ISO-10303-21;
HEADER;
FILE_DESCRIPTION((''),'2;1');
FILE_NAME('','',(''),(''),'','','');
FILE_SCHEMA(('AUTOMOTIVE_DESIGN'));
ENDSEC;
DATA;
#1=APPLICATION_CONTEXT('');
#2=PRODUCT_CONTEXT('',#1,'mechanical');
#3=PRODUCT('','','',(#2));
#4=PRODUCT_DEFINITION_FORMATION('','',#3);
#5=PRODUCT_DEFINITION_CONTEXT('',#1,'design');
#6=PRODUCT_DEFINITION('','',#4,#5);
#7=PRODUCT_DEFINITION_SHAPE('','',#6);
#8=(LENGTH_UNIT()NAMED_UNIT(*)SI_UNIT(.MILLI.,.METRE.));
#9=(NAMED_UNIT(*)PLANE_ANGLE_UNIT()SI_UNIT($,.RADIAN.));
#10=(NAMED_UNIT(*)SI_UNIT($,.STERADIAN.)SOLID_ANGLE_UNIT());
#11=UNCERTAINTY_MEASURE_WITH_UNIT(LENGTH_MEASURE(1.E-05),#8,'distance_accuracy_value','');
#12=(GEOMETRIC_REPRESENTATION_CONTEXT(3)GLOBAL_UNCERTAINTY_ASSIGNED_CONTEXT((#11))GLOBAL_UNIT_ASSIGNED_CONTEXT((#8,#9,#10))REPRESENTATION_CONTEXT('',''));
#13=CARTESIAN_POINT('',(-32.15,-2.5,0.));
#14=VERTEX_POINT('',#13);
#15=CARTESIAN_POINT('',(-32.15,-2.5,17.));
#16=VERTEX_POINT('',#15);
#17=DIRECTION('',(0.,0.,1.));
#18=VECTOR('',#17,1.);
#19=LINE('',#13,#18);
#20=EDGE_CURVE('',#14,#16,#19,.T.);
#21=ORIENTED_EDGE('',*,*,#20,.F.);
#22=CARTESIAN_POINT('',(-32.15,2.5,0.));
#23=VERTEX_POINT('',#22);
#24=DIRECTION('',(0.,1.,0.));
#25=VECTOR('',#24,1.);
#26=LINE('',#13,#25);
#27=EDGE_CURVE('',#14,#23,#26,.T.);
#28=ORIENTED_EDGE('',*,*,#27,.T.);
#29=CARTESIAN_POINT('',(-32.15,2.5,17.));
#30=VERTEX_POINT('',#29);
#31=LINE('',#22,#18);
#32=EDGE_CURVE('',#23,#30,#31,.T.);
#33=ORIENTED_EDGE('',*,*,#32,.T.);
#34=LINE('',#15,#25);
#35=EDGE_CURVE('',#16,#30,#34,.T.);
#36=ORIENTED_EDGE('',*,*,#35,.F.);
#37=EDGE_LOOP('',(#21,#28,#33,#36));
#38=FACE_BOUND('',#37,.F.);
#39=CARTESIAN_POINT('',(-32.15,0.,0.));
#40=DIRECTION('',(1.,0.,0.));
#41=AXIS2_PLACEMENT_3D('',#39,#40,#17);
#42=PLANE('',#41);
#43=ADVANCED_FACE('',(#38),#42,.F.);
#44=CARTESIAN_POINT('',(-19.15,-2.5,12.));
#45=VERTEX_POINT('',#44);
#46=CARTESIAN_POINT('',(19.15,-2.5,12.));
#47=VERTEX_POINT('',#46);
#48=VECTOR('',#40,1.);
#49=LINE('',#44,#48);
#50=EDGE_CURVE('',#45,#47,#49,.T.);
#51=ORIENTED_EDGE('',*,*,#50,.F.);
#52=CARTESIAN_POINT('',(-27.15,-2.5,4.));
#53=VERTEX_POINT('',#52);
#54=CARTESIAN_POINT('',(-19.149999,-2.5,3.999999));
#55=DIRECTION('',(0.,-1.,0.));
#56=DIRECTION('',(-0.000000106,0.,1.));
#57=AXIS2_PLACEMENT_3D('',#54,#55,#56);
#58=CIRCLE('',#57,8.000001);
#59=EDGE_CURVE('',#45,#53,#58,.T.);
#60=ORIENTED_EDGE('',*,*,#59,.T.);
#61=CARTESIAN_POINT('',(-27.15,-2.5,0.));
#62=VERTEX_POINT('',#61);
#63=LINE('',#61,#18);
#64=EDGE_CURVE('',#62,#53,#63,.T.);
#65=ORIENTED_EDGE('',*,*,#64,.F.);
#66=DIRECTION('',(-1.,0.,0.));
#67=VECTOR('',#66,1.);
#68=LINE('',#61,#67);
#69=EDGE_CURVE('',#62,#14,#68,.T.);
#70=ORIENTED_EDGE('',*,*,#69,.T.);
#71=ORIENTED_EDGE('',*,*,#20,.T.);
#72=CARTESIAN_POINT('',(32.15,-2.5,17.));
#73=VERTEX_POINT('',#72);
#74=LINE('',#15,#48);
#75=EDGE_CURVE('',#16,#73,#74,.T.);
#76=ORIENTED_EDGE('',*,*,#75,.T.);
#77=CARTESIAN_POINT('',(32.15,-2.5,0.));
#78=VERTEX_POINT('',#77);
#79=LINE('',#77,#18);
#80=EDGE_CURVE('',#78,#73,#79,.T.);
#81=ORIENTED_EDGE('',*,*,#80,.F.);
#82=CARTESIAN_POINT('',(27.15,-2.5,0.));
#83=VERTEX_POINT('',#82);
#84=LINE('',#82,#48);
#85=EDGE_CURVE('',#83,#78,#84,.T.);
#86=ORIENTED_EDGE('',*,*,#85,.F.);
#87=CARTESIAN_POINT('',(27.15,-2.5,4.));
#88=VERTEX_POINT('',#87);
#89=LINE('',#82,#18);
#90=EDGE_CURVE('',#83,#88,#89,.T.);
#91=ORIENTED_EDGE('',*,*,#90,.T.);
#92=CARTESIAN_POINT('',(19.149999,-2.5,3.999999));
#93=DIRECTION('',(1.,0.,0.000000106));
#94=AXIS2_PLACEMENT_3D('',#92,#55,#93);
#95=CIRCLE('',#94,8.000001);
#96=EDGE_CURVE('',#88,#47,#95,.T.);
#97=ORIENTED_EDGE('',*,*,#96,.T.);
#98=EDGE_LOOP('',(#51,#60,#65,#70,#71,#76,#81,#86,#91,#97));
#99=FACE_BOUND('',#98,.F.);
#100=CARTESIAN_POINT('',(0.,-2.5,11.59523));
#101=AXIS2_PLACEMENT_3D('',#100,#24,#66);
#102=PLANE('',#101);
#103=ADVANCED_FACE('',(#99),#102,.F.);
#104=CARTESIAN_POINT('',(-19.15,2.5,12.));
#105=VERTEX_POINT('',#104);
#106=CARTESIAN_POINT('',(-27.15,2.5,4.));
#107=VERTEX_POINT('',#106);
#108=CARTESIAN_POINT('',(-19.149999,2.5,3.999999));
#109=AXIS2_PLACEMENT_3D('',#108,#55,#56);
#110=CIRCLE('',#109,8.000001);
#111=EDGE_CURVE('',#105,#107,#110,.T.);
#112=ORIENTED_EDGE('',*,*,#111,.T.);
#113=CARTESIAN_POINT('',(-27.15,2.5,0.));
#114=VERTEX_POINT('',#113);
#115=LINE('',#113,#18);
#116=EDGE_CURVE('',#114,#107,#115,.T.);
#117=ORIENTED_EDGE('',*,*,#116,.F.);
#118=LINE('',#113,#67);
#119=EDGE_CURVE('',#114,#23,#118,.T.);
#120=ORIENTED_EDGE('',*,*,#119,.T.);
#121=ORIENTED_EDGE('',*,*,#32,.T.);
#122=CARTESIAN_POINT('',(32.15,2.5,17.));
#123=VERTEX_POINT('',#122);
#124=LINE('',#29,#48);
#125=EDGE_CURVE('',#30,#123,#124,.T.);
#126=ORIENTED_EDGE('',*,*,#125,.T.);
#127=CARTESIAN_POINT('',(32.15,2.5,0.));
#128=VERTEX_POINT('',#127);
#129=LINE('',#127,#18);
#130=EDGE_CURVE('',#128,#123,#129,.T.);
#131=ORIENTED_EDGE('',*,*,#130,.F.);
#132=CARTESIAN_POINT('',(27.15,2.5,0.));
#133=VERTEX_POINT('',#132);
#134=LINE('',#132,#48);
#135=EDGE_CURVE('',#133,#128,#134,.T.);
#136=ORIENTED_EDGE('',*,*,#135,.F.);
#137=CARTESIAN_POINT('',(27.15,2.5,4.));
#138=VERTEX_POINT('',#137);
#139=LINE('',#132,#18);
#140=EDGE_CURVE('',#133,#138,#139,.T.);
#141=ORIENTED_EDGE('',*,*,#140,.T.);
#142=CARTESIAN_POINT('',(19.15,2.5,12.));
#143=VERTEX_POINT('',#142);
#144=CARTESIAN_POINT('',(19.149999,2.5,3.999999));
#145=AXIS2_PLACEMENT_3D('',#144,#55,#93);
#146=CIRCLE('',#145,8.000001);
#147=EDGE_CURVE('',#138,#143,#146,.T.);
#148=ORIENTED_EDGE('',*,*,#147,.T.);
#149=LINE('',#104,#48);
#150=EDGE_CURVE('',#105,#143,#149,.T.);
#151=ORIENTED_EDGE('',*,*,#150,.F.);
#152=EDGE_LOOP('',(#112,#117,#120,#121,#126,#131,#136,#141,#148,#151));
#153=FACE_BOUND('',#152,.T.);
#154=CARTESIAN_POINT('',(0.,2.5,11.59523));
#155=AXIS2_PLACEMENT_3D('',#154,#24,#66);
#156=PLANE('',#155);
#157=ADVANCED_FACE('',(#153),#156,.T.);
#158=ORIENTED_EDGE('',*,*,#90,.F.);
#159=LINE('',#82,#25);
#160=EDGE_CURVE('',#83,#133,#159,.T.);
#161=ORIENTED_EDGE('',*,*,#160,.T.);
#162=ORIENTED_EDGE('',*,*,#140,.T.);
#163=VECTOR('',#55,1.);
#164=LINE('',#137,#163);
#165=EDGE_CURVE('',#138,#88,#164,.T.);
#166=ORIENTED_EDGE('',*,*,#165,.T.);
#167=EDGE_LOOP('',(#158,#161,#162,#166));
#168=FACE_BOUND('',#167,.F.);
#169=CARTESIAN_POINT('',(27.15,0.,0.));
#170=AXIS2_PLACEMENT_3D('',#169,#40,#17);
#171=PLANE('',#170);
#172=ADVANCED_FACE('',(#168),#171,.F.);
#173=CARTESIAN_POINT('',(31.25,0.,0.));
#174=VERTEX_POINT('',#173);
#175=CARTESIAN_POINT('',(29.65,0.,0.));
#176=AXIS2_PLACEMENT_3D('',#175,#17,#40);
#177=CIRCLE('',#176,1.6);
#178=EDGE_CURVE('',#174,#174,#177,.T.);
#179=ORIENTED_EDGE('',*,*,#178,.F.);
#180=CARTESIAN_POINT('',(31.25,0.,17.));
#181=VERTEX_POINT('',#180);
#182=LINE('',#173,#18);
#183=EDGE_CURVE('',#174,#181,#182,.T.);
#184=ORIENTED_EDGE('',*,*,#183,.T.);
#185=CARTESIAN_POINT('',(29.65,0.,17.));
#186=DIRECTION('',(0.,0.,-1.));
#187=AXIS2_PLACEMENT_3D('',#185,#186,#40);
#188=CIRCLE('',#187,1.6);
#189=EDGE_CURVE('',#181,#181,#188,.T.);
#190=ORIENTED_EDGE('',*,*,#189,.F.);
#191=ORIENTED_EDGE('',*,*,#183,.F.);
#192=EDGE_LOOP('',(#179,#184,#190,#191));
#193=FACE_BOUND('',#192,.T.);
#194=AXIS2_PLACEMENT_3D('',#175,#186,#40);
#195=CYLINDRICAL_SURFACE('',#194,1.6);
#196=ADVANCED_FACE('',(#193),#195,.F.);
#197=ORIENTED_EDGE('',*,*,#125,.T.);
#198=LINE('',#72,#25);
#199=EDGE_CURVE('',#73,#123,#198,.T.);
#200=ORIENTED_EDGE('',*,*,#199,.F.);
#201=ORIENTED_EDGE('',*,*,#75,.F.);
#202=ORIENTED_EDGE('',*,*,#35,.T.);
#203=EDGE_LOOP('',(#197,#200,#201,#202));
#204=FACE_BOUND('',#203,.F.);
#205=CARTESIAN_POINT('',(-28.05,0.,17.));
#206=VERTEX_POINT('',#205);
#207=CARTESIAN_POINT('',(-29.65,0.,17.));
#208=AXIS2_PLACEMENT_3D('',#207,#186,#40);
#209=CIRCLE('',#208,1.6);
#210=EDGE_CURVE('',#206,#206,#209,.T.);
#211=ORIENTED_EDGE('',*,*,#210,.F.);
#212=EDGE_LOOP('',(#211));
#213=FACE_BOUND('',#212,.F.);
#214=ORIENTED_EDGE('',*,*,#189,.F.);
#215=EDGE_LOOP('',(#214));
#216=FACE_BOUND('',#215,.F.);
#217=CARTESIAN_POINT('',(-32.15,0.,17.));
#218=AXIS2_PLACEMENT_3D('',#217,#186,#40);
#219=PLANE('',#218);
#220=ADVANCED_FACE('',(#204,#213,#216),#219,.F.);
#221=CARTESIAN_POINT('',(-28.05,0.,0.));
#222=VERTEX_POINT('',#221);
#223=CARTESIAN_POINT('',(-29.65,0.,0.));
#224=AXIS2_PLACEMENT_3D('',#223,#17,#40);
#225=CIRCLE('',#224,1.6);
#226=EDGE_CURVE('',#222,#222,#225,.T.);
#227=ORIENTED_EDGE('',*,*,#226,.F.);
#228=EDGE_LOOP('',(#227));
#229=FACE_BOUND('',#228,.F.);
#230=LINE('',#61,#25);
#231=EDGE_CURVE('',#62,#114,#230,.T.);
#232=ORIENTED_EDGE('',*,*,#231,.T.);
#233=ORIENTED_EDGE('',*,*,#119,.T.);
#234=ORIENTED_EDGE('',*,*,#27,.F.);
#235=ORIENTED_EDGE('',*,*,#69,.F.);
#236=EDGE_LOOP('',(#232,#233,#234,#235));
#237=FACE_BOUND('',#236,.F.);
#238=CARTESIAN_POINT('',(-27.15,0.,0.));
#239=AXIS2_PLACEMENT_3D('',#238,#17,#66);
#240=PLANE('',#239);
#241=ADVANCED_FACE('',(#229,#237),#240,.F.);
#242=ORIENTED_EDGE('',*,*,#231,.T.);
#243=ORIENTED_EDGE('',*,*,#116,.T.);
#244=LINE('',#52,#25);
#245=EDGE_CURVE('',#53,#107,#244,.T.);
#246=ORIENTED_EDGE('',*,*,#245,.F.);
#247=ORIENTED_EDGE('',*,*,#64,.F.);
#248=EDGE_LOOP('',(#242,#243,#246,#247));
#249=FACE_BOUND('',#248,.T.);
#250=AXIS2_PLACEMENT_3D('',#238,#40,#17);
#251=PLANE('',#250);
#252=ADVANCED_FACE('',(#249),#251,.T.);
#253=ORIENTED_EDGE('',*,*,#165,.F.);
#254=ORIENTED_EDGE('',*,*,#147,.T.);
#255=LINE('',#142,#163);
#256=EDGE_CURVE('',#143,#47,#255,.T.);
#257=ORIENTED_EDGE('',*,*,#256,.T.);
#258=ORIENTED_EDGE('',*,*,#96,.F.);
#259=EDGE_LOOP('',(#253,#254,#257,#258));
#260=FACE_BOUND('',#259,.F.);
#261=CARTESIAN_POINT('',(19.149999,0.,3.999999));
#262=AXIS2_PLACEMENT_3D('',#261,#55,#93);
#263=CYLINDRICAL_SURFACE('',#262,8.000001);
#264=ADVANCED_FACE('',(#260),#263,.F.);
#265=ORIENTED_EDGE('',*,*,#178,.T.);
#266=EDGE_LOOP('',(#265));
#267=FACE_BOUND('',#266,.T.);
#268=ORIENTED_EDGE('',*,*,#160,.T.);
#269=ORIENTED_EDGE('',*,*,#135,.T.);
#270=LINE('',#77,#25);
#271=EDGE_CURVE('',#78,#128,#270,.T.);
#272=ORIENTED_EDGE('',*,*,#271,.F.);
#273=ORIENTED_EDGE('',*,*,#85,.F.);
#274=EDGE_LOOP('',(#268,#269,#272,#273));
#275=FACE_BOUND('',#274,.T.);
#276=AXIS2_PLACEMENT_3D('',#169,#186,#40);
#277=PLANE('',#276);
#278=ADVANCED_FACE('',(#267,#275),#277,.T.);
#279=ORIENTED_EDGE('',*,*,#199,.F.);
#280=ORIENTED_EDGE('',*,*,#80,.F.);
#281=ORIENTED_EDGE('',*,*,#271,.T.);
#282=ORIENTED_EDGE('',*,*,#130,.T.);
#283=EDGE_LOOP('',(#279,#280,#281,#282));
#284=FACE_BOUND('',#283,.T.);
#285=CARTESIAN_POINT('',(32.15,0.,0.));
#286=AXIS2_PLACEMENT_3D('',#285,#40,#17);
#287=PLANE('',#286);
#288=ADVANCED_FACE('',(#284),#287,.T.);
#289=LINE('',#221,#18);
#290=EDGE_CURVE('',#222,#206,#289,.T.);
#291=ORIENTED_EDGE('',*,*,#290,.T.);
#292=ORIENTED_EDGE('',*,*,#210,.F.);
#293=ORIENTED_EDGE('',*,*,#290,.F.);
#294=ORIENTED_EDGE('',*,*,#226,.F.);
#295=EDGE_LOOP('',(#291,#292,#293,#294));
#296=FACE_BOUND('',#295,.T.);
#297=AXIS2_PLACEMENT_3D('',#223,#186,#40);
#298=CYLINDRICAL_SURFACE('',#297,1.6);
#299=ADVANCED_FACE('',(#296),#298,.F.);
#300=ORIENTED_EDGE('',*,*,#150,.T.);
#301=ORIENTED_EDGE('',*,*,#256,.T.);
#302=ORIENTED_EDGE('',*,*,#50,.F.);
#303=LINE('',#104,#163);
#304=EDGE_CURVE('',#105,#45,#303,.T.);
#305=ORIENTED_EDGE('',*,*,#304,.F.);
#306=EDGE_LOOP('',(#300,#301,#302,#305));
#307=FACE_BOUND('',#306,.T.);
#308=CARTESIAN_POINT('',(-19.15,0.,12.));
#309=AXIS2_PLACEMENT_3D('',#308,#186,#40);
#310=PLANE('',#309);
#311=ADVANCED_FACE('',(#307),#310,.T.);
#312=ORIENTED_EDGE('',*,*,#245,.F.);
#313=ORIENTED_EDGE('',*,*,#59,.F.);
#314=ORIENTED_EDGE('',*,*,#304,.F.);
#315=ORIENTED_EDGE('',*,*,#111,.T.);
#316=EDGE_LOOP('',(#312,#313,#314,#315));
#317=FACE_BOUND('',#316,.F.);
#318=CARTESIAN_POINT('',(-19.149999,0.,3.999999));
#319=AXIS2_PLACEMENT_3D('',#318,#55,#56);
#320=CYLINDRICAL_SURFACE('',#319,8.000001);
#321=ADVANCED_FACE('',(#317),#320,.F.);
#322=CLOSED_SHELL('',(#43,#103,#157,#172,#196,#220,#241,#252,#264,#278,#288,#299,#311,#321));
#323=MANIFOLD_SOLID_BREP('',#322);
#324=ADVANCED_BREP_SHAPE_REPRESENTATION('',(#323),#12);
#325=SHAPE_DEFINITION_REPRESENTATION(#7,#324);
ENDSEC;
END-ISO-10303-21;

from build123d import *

# Parameters (mm, degrees)
PAD_DEPTH    = 2.5
SKETCH001_R  = 1.6
POCKET_DEPTH = 17.001


with BuildPart() as part:
    # Sketch → Pad (new body, symmetric)
    with BuildSketch(Plane.XZ):
        with BuildLine():
            ThreePointArc((-19.15, 12), (-24.806854, 9.656854), (-27.15, 4))
            Line((-27.15, 0), (-27.15, 4))
            Line((-27.15, 0), (-32.15, 0))
            Line((-32.15, 0), (-32.15, 17))
            Line((-32.15, 17), (32.15, 17))
            Line((32.15, 0), (32.15, 17))
            Line((27.15, 0), (32.15, 0))
            Line((27.15, 0), (27.15, 4))
            ThreePointArc((27.15, 4), (24.806854, 9.656854), (19.15, 12))
            Line((-19.15, 12), (19.15, 12))
        make_face()
    extrude(amount=PAD_DEPTH, both=True)

    # Sketch001 → Pocket (cut, through all)
    with BuildSketch(Plane.XY):
        with Locations((-29.65, 0)):
            Circle(SKETCH001_R)
        with Locations((29.65, 0)):
            Circle(SKETCH001_R)
    extrude(amount=POCKET_DEPTH, mode=Mode.SUBTRACT)


solid = part.part
